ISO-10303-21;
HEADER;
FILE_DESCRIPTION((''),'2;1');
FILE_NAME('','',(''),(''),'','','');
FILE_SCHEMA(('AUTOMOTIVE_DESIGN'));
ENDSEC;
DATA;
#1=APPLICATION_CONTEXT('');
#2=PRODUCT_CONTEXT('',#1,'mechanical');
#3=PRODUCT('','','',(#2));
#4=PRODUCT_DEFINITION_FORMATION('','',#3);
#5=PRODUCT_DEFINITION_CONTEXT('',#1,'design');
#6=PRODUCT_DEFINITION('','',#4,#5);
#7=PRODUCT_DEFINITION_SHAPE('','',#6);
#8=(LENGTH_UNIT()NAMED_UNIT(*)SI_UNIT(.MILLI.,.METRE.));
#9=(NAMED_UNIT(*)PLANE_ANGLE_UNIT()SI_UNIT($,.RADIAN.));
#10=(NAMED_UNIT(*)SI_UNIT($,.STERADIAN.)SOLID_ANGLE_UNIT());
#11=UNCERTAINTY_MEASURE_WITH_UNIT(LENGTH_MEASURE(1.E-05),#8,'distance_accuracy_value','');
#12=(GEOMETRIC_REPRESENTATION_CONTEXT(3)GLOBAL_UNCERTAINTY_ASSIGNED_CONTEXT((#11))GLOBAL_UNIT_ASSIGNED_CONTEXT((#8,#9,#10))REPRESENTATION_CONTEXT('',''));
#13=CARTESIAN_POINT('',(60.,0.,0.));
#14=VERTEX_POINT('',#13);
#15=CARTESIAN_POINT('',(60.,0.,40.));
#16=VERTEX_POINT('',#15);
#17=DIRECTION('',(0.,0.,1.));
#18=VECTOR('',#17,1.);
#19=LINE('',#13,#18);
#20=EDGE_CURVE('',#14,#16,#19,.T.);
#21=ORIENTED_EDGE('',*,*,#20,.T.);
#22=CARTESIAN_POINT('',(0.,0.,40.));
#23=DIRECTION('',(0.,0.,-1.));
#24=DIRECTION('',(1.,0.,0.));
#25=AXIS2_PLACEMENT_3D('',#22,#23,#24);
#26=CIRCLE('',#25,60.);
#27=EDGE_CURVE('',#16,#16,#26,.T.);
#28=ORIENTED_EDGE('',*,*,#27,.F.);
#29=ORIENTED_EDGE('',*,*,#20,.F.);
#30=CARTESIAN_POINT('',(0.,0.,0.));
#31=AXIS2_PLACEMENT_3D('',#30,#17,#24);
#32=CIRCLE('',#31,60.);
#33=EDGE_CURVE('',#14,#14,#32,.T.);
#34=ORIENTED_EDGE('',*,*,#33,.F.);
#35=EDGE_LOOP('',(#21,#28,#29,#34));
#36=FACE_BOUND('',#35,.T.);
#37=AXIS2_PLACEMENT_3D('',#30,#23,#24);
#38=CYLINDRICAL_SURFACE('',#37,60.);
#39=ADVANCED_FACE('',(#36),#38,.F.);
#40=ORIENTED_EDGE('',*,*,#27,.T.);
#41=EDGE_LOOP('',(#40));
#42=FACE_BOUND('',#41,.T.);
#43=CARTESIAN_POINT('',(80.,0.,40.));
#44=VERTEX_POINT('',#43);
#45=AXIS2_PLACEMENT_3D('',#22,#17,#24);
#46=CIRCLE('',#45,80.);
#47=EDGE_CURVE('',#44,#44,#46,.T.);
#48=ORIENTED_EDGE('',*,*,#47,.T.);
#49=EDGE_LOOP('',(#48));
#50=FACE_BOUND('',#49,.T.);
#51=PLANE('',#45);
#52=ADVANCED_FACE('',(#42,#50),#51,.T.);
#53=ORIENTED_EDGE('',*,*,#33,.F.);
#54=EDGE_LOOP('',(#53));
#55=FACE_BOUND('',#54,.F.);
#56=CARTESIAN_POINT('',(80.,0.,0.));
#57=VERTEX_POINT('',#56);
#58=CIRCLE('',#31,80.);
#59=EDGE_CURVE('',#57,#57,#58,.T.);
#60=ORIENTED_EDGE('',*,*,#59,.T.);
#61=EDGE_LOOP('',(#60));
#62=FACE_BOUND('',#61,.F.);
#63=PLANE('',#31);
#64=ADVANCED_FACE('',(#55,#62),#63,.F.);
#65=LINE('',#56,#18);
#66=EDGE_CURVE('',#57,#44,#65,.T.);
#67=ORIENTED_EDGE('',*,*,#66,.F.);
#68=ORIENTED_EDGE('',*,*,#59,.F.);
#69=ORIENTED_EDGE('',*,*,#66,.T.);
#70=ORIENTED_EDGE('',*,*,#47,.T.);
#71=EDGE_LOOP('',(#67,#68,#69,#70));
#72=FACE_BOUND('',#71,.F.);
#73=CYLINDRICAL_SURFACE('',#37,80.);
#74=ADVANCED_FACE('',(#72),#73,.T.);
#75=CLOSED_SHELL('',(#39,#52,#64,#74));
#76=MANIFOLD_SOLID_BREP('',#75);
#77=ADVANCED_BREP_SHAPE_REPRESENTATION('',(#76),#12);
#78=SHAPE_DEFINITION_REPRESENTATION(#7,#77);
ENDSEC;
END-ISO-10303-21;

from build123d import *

# Parameters (mm, degrees)
F0_R     = 80
F1_DEPTH = 40
F2_R     = 60
F3_DEPTH = 40.001


with BuildPart() as f1:
    # F0 (on Top) → F1 (new body)
    with BuildSketch(Plane.XY):
        Circle(F0_R)
    extrude(amount=F1_DEPTH)

    # F2 (on face) → F3 (cut, through all)
    with BuildSketch(Plane.XY):
        Circle(F2_R)
    extrude(amount=F3_DEPTH, mode=Mode.SUBTRACT)


solid = f1.part
